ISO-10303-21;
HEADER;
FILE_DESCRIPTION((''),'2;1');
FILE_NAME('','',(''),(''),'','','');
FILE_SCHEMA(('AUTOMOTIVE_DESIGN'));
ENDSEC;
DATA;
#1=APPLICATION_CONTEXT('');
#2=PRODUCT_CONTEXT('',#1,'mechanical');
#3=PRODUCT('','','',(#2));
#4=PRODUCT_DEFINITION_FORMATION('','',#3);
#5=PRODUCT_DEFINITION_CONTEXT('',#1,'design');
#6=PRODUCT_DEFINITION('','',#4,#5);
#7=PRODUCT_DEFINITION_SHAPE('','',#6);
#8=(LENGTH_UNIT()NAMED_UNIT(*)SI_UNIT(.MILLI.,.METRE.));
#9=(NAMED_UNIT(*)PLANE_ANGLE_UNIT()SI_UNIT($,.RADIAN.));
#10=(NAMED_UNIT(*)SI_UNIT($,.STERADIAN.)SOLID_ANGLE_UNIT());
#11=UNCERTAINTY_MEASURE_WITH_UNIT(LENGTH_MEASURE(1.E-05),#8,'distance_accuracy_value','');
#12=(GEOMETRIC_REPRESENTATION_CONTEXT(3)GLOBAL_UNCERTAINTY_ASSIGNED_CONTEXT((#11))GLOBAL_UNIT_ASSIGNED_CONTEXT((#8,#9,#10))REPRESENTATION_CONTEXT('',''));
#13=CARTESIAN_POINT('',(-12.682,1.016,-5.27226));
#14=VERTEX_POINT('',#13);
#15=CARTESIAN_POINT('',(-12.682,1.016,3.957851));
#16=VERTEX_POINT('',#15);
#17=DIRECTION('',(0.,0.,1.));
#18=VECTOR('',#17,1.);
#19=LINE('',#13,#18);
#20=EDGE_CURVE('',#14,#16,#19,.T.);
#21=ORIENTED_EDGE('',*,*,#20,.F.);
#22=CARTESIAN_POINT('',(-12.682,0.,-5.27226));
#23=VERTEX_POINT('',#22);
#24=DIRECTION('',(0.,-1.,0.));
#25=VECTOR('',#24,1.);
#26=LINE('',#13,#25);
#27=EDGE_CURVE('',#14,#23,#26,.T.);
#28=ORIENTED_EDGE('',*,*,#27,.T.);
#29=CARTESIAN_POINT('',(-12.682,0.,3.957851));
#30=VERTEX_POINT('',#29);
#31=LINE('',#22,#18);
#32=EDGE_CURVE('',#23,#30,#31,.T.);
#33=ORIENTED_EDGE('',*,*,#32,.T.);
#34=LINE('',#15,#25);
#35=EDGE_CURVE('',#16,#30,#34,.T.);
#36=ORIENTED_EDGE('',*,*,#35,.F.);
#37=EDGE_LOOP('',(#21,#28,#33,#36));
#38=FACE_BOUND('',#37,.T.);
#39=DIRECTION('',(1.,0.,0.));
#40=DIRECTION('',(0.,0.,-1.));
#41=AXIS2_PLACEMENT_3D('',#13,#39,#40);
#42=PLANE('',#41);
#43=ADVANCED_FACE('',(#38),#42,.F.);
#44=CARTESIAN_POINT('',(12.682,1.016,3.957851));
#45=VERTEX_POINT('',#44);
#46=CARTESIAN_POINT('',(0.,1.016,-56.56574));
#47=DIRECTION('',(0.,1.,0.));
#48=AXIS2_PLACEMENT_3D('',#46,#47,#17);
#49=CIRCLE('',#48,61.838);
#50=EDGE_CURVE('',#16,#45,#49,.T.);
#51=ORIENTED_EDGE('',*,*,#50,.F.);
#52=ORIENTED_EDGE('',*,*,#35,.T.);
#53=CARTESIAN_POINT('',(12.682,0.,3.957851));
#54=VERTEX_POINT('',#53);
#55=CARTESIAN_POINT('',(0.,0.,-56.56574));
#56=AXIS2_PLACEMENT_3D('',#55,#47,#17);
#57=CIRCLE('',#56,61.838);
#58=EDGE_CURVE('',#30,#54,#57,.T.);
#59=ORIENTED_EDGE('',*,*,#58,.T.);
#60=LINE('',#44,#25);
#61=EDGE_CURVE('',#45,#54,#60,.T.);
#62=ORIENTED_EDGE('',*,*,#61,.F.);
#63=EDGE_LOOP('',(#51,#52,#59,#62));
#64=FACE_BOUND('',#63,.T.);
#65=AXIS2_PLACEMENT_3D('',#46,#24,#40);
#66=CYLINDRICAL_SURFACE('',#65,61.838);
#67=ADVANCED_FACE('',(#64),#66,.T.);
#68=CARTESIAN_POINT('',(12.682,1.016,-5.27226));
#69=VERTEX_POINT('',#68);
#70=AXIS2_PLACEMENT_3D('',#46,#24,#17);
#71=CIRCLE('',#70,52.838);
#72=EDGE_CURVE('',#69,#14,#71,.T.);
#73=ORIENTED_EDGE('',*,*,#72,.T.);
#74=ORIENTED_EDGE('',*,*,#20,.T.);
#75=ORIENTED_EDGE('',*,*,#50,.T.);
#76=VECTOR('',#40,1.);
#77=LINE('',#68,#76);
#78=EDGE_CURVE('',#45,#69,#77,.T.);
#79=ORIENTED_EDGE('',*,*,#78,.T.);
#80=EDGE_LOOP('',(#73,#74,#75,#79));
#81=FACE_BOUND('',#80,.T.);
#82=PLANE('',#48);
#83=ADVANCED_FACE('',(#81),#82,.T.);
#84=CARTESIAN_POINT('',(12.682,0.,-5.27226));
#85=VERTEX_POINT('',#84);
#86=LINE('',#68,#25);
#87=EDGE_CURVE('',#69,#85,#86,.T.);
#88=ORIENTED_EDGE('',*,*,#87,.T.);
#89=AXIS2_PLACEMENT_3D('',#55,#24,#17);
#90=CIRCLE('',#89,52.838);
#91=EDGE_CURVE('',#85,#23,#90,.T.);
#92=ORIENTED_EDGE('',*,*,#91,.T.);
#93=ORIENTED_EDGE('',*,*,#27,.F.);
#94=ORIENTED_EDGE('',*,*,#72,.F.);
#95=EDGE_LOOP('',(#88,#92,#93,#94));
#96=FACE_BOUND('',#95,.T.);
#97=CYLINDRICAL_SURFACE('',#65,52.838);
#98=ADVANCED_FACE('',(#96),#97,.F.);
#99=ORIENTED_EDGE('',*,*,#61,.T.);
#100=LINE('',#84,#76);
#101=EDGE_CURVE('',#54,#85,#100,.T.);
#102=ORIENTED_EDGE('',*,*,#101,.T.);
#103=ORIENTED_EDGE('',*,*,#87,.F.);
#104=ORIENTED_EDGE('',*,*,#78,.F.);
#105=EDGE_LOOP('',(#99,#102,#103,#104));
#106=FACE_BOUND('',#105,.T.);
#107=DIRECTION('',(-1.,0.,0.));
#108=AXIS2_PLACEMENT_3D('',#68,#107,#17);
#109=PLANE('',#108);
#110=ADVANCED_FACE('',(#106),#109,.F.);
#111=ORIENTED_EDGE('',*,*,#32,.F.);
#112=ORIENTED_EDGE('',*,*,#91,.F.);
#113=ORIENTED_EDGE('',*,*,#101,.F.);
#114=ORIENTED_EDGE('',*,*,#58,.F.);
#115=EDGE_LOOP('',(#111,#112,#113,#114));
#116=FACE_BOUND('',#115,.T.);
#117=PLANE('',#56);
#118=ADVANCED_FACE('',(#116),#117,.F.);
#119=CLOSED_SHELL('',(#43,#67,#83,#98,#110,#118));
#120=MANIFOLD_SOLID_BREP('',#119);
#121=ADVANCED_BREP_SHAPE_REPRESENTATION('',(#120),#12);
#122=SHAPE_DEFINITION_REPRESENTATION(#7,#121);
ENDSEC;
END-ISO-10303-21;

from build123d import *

# Parameters (mm, degrees)
BOSS_EXTRUDE1_DEPTH = 1.016


with BuildPart() as part:
    # Sketch1 → Boss-Extrude1 (new body)
    with BuildSketch(Plane(origin=(0, 0, 0), x_dir=(1, 0, 0), z_dir=(0, 1, 0))):
        with BuildLine():
            Line((-12.682, 5.272259856), (-12.682, -3.95785129))
            ThreePointArc((-12.682, -3.95785129), (0, -5.272259856), (12.682, -3.95785129))
            Line((12.682, -3.95785129), (12.682, 5.272259856))
            ThreePointArc((12.682, 5.272259856), (0, 3.727740144), (-12.682, 5.272259856))
        make_face()
    extrude(amount=BOSS_EXTRUDE1_DEPTH)


solid = part.part
